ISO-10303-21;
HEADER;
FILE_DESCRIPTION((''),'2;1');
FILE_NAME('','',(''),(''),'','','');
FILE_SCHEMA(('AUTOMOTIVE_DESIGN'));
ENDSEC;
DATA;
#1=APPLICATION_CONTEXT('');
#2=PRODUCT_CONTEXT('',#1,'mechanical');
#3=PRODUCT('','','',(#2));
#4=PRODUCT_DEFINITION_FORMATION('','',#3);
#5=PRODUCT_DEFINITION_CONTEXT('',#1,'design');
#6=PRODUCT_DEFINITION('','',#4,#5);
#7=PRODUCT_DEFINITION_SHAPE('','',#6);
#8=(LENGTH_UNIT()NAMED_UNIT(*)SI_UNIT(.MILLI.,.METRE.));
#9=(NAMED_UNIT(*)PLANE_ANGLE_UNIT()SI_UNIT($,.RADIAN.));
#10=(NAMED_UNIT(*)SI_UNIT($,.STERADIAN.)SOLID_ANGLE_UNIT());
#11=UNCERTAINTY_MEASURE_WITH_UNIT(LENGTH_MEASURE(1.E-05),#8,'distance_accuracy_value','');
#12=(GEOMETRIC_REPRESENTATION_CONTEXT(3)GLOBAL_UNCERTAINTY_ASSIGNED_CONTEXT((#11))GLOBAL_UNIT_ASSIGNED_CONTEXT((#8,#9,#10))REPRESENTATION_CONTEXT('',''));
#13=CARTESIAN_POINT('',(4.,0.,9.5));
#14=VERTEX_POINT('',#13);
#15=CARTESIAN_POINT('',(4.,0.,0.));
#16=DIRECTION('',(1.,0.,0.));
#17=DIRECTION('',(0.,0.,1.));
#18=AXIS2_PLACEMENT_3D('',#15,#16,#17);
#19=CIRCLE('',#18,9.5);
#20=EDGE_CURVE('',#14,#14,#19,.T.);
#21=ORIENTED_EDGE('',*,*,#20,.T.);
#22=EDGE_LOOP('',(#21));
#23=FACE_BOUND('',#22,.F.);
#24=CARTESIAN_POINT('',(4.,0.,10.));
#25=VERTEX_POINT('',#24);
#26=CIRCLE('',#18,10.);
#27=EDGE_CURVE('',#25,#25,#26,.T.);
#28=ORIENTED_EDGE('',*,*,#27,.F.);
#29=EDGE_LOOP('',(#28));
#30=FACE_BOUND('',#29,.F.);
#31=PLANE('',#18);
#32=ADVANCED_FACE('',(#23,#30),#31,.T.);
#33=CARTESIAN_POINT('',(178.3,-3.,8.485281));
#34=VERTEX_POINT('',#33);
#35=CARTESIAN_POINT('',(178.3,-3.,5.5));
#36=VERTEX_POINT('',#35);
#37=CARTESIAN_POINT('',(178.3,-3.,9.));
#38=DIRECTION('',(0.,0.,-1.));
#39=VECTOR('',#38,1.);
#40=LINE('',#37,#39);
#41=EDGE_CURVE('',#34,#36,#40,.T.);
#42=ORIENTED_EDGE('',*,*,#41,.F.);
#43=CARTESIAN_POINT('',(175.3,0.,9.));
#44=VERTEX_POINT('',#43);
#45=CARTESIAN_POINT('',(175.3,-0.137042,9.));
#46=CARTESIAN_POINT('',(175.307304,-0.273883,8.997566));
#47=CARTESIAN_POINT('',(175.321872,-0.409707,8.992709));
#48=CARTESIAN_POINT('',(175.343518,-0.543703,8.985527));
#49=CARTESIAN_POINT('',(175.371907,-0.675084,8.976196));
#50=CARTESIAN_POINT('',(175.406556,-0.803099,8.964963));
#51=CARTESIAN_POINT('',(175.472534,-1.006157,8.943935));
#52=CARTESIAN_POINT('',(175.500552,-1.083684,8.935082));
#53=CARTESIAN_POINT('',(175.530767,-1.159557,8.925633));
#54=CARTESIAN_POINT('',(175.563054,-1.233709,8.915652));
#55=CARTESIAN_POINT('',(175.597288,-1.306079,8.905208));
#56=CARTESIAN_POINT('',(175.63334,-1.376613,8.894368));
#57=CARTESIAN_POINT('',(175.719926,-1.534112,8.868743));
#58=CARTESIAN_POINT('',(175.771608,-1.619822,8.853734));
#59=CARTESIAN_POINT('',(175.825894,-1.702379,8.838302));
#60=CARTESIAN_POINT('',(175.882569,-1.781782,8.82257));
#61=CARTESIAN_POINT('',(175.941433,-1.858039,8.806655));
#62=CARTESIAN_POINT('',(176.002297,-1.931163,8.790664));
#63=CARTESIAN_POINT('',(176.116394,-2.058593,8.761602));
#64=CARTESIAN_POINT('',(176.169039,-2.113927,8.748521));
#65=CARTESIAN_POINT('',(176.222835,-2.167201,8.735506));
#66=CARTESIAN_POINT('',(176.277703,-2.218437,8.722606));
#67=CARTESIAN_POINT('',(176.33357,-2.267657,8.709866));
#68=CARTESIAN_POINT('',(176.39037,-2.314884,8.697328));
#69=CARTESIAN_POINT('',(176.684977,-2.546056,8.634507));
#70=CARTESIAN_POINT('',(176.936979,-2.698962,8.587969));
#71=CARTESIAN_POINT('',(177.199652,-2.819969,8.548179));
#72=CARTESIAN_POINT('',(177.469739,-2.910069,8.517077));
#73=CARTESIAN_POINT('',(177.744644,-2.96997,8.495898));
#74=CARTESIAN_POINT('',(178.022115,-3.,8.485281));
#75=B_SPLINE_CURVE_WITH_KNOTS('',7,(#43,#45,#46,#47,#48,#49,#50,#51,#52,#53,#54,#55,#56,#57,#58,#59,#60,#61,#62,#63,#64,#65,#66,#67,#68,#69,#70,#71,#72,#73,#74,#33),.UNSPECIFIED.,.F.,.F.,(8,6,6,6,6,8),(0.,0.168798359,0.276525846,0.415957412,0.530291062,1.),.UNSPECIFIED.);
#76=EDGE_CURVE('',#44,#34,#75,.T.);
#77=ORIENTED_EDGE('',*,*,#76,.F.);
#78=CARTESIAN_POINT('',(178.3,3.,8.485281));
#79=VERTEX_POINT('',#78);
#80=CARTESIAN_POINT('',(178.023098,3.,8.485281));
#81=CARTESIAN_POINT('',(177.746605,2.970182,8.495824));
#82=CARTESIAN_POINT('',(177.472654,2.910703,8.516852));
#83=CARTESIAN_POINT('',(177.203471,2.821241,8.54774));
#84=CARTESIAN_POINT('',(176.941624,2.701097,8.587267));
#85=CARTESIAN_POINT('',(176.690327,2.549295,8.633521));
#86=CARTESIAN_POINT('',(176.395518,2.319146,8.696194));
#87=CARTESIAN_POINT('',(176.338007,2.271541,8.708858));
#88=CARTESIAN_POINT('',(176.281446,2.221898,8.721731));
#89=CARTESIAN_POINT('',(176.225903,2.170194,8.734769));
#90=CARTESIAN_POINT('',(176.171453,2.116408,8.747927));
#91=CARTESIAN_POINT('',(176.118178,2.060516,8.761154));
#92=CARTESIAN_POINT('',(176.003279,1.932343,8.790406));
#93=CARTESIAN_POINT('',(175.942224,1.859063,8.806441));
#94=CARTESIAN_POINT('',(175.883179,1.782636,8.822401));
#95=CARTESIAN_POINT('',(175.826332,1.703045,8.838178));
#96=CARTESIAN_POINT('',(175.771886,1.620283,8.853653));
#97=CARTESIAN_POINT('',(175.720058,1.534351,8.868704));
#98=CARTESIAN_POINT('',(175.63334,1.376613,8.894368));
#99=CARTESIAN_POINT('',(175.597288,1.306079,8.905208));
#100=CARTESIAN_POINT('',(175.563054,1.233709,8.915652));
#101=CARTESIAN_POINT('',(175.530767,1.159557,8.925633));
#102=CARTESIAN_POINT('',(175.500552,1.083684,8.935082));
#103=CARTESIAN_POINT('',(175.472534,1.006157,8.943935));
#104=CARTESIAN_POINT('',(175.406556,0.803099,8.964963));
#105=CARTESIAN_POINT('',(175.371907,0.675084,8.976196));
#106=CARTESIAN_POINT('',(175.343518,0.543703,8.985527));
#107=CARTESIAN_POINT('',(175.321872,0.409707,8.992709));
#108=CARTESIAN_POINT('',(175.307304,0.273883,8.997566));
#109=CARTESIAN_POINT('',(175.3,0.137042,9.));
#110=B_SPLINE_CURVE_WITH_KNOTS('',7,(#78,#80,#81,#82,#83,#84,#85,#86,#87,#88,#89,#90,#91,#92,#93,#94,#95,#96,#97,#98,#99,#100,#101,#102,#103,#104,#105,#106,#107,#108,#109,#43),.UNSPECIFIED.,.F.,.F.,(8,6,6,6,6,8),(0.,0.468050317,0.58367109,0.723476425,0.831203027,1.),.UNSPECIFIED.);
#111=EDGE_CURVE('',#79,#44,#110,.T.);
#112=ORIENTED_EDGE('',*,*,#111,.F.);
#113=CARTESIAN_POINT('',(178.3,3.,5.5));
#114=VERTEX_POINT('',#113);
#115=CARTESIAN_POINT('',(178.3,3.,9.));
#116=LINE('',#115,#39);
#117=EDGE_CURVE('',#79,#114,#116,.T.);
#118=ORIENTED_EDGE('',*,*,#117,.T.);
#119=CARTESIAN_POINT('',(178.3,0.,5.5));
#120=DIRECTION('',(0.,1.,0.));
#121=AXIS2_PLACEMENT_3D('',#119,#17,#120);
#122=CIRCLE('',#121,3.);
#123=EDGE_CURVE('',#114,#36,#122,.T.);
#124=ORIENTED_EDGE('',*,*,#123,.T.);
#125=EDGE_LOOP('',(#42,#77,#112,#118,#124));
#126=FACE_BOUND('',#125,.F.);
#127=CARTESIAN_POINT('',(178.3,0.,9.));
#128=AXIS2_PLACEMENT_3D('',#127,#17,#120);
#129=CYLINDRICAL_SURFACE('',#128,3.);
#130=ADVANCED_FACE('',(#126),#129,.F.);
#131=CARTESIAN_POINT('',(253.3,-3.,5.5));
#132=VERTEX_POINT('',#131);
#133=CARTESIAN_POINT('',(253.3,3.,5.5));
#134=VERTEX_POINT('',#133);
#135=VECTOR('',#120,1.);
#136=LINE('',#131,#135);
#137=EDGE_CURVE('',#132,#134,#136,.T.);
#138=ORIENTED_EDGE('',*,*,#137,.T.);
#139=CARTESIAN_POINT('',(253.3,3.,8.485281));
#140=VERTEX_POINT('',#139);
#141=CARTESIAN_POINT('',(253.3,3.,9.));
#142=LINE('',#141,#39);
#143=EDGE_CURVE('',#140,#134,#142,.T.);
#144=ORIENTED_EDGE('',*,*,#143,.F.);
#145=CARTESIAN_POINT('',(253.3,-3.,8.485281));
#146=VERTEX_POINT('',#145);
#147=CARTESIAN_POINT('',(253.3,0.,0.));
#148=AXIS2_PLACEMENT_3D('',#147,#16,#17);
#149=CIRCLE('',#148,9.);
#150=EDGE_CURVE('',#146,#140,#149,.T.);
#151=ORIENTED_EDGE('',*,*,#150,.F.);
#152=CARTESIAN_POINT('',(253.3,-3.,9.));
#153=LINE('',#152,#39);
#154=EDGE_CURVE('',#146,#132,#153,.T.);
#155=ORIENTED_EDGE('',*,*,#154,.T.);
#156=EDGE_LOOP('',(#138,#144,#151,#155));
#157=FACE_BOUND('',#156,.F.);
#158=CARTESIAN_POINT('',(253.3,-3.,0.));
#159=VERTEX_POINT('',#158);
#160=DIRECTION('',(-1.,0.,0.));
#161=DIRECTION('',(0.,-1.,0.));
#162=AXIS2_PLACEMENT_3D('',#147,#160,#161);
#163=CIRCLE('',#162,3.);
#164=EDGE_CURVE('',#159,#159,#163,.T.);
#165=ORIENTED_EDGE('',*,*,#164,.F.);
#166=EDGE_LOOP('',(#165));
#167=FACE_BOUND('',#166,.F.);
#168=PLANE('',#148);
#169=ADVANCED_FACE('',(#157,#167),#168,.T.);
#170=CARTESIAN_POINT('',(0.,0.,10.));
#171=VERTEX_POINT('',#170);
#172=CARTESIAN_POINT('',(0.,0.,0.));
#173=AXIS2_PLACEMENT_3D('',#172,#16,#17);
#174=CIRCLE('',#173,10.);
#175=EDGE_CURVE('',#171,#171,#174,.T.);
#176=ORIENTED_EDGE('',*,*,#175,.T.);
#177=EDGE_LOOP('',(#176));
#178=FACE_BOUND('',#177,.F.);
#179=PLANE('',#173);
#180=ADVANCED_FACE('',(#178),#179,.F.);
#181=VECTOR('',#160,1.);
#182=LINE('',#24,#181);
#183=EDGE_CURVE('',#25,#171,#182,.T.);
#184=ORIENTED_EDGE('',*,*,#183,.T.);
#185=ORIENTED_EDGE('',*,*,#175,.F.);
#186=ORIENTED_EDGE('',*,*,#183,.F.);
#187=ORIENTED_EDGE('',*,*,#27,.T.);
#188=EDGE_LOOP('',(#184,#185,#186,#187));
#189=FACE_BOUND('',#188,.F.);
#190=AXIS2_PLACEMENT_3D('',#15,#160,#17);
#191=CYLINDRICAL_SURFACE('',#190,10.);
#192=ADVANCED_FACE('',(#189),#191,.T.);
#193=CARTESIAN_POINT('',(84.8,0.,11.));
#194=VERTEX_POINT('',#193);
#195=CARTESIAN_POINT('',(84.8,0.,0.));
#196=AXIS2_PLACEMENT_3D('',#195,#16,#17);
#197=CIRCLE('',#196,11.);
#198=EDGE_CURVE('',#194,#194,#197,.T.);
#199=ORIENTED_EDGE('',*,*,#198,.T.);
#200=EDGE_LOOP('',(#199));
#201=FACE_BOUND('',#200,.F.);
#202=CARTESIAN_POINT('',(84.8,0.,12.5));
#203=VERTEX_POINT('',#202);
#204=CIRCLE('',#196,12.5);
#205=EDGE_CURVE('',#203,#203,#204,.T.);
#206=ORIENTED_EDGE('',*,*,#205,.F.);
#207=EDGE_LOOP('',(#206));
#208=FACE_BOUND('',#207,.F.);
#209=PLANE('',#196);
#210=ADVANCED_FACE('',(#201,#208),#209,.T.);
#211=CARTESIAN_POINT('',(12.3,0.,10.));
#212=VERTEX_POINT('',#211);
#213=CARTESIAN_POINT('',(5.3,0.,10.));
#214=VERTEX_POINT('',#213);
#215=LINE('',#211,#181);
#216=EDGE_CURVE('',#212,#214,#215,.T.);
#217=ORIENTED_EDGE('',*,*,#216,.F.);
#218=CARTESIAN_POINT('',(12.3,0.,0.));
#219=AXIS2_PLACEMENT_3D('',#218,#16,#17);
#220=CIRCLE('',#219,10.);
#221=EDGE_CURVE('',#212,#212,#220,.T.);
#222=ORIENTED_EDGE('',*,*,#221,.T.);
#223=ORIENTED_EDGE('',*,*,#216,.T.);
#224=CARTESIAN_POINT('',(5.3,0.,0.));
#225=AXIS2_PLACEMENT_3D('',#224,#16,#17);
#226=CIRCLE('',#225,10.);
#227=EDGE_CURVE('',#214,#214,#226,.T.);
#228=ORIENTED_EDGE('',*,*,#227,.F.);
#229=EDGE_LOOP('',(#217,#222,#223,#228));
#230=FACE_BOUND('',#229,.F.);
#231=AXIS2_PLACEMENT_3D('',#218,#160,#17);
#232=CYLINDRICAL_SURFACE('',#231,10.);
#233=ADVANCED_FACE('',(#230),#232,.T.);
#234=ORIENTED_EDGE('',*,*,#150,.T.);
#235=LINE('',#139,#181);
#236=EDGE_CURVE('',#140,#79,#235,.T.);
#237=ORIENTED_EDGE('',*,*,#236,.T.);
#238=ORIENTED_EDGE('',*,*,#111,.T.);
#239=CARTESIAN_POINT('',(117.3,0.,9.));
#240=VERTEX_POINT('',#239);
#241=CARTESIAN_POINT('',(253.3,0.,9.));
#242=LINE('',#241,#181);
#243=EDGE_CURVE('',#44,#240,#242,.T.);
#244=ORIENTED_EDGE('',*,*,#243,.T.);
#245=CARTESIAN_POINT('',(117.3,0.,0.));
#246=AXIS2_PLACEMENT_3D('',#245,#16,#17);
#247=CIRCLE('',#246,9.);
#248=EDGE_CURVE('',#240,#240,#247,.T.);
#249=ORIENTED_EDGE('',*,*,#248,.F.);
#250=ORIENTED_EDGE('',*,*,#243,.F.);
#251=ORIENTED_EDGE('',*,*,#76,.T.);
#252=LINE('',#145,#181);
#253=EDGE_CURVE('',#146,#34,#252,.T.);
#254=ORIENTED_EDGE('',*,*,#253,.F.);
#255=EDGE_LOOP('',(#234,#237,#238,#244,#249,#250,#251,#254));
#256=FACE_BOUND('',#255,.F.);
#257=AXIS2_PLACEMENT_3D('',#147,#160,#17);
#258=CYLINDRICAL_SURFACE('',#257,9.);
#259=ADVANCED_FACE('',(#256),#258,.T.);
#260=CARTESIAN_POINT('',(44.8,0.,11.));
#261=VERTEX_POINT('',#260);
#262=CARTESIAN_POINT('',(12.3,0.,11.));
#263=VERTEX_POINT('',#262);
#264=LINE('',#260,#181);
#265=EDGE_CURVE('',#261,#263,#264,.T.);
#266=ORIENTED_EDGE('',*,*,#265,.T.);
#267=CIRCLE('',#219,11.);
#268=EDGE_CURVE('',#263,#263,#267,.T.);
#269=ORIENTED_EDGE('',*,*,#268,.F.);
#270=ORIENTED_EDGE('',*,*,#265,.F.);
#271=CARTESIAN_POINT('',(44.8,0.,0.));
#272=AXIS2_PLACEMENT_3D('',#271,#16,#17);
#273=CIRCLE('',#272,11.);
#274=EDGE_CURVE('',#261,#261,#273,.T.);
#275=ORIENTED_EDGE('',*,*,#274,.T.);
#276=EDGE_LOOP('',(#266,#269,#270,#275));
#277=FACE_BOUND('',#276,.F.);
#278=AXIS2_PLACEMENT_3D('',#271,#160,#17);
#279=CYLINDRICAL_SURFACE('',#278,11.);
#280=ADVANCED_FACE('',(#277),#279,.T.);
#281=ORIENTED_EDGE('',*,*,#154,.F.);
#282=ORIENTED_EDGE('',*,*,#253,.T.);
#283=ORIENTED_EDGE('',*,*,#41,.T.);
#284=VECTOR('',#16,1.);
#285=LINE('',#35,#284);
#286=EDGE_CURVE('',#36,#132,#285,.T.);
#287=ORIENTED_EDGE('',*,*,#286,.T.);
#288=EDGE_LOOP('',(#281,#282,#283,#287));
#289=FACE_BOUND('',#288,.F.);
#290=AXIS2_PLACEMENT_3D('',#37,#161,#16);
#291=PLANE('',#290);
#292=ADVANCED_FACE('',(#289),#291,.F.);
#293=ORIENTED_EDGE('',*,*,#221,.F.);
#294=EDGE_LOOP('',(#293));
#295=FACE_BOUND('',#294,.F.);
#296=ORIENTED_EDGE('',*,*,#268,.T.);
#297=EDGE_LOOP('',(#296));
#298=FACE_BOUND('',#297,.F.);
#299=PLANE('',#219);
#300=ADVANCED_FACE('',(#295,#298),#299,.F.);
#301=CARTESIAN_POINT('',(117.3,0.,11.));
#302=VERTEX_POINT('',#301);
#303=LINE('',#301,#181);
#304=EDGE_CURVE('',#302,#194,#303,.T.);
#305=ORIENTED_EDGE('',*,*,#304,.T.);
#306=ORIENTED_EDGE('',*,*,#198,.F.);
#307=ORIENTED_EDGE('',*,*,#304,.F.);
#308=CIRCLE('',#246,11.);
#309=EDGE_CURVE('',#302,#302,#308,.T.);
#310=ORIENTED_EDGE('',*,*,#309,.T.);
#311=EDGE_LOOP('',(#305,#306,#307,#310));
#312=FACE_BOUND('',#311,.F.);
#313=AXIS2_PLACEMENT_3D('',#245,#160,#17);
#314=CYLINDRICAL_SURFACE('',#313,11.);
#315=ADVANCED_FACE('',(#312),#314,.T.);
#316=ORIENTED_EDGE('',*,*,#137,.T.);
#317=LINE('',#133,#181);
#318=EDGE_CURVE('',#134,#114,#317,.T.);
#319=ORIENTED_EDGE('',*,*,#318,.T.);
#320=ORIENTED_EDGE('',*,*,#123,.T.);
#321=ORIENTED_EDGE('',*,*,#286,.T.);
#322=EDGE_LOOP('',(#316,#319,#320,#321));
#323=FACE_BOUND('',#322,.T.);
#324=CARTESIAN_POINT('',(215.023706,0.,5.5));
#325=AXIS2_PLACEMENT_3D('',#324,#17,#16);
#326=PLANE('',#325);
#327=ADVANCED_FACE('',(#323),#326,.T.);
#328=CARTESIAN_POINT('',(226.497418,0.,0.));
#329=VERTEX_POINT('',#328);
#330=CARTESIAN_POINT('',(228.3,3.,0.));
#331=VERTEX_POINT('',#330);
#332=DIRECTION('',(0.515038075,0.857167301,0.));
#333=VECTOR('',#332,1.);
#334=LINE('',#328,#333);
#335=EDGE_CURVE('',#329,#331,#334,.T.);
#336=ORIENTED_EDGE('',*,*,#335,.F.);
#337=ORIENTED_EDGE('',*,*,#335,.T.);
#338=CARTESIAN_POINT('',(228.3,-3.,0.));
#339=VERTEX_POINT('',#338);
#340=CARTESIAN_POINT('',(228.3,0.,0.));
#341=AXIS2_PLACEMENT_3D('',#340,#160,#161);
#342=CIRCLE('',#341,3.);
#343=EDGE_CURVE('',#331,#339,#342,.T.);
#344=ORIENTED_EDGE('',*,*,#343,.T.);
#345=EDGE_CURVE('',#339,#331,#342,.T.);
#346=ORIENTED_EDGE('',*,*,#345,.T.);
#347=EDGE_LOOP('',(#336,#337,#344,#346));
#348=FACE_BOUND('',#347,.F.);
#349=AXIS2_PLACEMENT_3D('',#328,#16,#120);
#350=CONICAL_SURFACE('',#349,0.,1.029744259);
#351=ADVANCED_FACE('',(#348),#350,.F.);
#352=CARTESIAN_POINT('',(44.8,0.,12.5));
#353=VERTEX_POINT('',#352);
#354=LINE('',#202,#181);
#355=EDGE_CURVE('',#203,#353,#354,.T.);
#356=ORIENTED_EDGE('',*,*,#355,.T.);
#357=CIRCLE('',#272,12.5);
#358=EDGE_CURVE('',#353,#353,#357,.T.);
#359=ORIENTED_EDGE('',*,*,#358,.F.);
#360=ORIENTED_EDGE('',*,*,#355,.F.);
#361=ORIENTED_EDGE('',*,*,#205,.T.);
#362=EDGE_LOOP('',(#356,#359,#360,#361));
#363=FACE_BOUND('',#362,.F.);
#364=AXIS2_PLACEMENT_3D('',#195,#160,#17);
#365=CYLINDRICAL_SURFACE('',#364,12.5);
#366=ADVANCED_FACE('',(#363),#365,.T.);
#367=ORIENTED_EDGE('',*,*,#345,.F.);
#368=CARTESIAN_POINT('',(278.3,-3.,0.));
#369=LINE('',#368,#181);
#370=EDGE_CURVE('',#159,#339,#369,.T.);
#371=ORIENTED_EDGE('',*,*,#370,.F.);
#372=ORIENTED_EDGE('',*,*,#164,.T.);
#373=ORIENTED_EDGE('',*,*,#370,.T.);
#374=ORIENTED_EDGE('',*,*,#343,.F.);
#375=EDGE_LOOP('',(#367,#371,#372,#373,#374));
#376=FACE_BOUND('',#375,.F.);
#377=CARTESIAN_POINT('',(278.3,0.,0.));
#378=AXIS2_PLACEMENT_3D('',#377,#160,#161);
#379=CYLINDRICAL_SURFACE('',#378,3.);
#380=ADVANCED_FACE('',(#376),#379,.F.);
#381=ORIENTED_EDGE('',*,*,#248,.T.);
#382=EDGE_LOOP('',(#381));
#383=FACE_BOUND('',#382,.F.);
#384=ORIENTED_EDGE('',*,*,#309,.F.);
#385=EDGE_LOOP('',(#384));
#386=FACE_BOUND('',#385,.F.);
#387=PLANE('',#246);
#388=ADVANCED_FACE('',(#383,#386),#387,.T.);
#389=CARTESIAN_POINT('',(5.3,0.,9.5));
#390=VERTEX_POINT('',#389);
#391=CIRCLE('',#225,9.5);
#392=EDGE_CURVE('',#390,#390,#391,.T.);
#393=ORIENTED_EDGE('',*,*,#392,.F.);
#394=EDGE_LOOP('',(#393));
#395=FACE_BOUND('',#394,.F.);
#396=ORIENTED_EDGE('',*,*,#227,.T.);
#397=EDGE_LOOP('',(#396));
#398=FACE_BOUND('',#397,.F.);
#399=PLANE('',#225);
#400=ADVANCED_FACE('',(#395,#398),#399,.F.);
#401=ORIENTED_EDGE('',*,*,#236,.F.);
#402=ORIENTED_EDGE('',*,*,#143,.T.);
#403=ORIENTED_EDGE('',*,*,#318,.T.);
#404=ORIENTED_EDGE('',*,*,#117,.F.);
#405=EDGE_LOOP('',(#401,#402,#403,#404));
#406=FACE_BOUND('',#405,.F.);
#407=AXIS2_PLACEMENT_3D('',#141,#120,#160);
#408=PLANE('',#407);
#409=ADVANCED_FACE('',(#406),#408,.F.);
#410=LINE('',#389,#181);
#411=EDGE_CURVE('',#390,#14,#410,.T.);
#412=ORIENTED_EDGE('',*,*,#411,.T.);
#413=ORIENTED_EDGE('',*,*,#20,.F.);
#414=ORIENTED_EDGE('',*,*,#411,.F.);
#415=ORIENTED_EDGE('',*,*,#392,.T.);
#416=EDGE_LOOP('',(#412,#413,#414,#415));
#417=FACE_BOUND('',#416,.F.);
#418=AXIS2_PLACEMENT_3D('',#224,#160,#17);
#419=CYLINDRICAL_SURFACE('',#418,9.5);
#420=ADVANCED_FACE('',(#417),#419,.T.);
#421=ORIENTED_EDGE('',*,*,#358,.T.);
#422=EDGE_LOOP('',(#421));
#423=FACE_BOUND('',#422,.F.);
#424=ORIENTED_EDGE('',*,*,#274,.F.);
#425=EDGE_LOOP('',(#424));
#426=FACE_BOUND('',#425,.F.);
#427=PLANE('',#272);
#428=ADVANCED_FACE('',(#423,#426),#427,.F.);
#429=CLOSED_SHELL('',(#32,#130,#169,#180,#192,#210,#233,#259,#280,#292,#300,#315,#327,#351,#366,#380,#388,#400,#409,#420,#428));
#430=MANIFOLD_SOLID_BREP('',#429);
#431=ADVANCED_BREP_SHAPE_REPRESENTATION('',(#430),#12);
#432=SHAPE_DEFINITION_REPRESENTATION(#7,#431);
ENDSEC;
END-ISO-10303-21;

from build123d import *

# Parameters (mm, degrees)
F4_DEPTH = 3.5
F6_D     = 6
F6_DEPTH = 25
F6_TIP   = 1.8025818571


with BuildPart() as f1:
    # F0 (on Front) → F1 (revolve)
    with BuildSketch(Plane.XZ):
        Polygon((0, 10), (0, 0), (253.3, 0), (253.3, 9), (117.3, 9), (117.3, 9.5), (117.3, 11), (84.8, 11), (84.8, 12.5), (44.8, 12.5), (44.8, 11), (12.3, 11), (12.3, 10), (5.3, 10), (5.3, 9.5), (4, 9.5), (4, 10), align=None)
    revolve(axis=Axis((126.65, 0, 0), (1, 0, 0)))

    # F3 (on offset) → F4 (cut)
    with BuildSketch(Plane.XY.offset(9)):
        with BuildLine():
            Line((178.3, -3), (253.3, -3))
            Line((253.3, -3), (253.3, 3))
            Line((253.3, 3), (178.3, 3))
            ThreePointArc((178.3, 3), (175.3, 0), (178.3, -3))
        make_face()
    extrude(amount=-F4_DEPTH, mode=Mode.SUBTRACT)

    # F6
    with Locations(Plane.YZ.offset(253.3)):
        with Locations((0, 0)):
            Hole(F6_D / 2, depth=F6_DEPTH)
            with Locations((0, 0, -(F6_DEPTH + F6_TIP / 2))):  # 118° drill point
                Cone(0, F6_D / 2, F6_TIP, mode=Mode.SUBTRACT)


solid = f1.part
